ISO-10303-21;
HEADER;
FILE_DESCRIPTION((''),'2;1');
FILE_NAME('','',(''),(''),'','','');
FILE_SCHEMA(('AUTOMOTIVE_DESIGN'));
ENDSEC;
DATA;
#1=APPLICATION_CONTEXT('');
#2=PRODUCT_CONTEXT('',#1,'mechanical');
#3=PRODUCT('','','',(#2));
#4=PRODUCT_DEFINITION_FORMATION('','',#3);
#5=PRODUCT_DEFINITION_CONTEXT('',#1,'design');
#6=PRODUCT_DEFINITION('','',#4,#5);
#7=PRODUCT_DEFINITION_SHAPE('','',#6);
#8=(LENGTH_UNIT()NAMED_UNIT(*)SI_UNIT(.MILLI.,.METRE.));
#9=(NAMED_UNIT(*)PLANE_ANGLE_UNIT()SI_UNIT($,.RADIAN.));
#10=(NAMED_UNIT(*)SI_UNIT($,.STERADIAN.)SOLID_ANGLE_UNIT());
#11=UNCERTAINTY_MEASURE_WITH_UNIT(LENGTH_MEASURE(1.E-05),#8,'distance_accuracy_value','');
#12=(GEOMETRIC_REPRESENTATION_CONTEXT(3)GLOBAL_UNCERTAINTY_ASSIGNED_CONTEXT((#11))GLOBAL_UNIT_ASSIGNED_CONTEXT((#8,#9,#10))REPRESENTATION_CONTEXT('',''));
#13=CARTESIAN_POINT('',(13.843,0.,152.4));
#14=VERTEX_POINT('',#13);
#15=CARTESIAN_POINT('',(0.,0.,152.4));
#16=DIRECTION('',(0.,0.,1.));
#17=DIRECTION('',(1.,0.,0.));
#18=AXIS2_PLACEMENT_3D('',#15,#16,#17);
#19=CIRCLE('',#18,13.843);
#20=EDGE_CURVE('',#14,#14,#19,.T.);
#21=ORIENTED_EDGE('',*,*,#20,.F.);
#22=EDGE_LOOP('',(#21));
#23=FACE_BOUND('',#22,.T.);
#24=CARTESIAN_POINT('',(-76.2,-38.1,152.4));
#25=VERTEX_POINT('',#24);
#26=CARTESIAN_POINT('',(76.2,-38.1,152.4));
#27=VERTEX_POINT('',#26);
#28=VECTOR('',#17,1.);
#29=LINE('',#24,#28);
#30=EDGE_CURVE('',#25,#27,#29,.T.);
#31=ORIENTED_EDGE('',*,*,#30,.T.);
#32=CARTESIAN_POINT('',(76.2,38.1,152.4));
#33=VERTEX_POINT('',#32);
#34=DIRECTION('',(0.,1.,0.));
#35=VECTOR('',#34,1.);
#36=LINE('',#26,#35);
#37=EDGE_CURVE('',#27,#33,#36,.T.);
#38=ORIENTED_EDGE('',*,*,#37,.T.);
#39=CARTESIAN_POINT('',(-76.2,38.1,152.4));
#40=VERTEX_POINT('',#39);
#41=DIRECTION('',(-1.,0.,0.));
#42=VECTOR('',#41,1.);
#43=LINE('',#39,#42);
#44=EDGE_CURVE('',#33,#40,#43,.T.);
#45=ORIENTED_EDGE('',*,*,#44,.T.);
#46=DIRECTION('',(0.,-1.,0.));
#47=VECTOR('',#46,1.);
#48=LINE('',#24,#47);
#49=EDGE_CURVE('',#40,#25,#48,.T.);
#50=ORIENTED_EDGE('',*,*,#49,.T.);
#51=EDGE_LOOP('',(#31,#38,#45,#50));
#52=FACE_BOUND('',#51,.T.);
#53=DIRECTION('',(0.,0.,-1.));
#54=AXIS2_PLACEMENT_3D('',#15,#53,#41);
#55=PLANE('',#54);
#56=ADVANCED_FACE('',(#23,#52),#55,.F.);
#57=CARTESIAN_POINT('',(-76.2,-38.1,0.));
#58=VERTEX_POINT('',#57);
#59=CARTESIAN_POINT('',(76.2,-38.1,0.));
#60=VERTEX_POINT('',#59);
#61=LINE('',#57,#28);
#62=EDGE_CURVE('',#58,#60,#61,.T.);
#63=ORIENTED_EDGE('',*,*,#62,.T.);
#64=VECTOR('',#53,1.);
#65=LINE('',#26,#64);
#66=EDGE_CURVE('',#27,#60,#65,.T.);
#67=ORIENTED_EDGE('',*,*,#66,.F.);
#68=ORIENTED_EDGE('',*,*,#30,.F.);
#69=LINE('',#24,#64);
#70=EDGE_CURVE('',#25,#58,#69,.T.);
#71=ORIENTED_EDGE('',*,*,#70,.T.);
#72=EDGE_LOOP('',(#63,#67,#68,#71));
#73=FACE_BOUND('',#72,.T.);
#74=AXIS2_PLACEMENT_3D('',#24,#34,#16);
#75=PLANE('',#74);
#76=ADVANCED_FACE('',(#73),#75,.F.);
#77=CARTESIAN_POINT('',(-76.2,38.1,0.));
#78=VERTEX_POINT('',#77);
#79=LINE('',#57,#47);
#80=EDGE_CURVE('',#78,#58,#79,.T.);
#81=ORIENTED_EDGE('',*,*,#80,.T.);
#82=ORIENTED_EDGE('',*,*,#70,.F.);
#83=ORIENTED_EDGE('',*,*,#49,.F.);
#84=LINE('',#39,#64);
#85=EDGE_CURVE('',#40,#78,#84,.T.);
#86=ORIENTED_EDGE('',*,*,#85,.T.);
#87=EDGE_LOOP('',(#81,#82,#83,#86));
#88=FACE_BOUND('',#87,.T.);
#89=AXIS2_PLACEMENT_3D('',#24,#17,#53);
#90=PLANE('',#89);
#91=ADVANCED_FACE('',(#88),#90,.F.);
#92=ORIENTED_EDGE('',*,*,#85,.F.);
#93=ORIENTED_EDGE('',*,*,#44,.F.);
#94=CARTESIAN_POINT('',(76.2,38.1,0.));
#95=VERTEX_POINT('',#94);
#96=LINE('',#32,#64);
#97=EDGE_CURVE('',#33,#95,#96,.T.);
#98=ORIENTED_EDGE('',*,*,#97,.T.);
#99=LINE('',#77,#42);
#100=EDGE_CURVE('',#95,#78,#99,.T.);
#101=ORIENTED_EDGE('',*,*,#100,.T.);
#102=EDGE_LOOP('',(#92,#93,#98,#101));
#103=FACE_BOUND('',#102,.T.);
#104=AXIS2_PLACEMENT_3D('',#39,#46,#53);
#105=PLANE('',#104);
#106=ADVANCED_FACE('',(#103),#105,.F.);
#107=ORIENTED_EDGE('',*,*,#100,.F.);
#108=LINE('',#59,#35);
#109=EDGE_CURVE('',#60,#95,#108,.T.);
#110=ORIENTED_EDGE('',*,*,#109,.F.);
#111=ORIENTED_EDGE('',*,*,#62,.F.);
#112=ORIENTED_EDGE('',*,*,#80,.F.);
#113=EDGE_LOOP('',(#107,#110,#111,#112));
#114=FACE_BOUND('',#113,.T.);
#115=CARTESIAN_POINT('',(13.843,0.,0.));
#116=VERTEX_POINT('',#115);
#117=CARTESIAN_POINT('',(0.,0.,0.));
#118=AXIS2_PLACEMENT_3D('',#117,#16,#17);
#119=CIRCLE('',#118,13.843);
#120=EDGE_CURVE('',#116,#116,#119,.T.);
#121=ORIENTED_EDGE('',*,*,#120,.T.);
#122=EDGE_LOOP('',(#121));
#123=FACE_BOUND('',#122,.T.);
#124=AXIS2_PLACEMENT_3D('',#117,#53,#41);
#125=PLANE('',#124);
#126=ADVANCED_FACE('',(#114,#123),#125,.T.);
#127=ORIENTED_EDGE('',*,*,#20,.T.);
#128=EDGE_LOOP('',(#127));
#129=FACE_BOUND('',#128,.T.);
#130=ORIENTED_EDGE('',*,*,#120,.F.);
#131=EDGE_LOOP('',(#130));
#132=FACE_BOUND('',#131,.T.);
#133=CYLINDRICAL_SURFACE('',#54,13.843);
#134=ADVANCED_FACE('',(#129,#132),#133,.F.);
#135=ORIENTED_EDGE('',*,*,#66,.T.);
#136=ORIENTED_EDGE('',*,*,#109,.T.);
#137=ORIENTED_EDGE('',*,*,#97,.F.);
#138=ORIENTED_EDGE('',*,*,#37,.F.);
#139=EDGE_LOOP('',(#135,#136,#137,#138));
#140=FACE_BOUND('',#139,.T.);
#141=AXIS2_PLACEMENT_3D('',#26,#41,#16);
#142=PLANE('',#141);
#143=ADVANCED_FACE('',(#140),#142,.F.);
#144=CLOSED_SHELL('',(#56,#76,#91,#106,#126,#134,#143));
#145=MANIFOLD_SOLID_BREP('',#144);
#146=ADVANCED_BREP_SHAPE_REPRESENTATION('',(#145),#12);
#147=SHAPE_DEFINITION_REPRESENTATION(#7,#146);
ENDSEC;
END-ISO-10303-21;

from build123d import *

# Parameters (mm, degrees)
SKETCH1_W           = 152.4
SKETCH1_H           = 76.2
BOSS_EXTRUDE1_DEPTH = 152.4
SKETCH2_R           = 13.843
CUT_EXTRUDE1_DEPTH  = 175.596133978


with BuildPart() as part:
    # Sketch1 → Boss-Extrude1 (new body)
    with BuildSketch(Plane.XY):
        Rectangle(SKETCH1_W, SKETCH1_H)
    extrude(amount=BOSS_EXTRUDE1_DEPTH)

    # Sketch2 → Cut-Extrude1 (cut, through all)
    with BuildSketch(Plane.XY):
        Circle(SKETCH2_R)
    extrude(amount=CUT_EXTRUDE1_DEPTH, mode=Mode.SUBTRACT)


solid = part.part
